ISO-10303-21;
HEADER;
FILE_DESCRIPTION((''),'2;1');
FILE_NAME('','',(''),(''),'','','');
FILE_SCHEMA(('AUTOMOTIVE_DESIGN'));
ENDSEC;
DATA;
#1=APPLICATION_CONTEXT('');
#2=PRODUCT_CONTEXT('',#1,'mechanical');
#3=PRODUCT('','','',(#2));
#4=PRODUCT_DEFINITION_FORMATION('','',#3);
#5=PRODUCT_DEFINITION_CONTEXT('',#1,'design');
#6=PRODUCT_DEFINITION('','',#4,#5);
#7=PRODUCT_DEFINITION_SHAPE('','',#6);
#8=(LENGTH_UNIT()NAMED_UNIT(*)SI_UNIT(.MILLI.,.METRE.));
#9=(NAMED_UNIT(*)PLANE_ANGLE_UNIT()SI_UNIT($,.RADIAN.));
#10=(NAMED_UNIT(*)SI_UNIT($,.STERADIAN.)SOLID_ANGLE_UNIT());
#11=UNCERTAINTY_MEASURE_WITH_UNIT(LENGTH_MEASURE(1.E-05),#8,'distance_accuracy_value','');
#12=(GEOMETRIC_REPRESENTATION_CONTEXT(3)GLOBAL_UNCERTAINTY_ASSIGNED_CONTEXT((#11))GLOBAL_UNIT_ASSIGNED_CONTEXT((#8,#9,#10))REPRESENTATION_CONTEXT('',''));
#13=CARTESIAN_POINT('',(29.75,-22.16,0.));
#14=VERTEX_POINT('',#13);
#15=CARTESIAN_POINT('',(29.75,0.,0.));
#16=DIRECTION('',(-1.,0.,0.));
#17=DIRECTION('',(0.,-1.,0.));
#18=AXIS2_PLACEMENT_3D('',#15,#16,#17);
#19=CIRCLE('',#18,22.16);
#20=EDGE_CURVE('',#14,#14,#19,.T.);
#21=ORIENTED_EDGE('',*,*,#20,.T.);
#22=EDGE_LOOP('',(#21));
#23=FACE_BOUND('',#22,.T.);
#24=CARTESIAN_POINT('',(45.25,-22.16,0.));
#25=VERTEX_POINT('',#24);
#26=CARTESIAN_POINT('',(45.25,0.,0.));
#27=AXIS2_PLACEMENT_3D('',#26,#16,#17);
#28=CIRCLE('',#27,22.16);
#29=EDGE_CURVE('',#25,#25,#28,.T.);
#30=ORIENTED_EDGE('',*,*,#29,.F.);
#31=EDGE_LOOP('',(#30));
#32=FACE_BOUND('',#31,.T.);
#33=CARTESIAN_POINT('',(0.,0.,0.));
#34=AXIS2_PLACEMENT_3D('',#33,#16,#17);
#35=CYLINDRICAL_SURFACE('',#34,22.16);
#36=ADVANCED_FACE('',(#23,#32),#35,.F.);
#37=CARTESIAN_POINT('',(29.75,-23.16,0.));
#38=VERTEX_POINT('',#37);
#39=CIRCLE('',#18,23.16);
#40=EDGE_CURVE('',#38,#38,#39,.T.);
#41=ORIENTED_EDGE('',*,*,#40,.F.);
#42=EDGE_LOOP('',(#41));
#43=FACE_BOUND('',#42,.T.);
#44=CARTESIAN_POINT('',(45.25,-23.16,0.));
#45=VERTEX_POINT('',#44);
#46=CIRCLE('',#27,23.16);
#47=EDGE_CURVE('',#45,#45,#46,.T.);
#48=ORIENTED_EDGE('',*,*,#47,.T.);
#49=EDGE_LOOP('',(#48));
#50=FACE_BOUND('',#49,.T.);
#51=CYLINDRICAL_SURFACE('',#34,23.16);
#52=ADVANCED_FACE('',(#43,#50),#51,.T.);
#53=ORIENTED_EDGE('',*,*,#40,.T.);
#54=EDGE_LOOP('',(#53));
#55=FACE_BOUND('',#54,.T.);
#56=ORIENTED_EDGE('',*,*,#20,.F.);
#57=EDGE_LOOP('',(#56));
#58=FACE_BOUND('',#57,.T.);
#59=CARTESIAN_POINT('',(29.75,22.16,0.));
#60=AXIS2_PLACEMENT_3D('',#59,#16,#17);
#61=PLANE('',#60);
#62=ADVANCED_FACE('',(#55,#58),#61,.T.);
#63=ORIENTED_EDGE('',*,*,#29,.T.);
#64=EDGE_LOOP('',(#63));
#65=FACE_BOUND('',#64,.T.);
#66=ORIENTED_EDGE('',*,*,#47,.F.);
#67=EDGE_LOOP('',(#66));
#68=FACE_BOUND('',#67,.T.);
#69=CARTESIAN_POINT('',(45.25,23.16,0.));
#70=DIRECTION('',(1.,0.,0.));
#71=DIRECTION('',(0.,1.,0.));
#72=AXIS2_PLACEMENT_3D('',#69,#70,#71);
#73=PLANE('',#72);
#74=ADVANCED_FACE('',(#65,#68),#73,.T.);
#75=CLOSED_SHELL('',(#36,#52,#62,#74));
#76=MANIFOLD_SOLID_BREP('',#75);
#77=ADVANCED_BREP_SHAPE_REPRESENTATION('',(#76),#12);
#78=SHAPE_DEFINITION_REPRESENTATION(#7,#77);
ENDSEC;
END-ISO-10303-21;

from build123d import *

# Parameters (mm, degrees)
ESQUISSE1_W = 15.5
ESQUISSE1_H = 1


with BuildPart() as part:
    # Esquisse1 → Base-Révol.-Mince (revolve)
    with BuildSketch(Plane.XY, mode=Mode.PRIVATE) as base_r_vol_mince_sk:
        with Locations((37.5, 22.66)):
            Rectangle(ESQUISSE1_W, ESQUISSE1_H)
    revolve(base_r_vol_mince_sk.sketch.rotate(Axis((0, 0, 0), (1, 0, 0)), 180), axis=Axis((0, 0, 0), (1, 0, 0)))


solid = part.part
